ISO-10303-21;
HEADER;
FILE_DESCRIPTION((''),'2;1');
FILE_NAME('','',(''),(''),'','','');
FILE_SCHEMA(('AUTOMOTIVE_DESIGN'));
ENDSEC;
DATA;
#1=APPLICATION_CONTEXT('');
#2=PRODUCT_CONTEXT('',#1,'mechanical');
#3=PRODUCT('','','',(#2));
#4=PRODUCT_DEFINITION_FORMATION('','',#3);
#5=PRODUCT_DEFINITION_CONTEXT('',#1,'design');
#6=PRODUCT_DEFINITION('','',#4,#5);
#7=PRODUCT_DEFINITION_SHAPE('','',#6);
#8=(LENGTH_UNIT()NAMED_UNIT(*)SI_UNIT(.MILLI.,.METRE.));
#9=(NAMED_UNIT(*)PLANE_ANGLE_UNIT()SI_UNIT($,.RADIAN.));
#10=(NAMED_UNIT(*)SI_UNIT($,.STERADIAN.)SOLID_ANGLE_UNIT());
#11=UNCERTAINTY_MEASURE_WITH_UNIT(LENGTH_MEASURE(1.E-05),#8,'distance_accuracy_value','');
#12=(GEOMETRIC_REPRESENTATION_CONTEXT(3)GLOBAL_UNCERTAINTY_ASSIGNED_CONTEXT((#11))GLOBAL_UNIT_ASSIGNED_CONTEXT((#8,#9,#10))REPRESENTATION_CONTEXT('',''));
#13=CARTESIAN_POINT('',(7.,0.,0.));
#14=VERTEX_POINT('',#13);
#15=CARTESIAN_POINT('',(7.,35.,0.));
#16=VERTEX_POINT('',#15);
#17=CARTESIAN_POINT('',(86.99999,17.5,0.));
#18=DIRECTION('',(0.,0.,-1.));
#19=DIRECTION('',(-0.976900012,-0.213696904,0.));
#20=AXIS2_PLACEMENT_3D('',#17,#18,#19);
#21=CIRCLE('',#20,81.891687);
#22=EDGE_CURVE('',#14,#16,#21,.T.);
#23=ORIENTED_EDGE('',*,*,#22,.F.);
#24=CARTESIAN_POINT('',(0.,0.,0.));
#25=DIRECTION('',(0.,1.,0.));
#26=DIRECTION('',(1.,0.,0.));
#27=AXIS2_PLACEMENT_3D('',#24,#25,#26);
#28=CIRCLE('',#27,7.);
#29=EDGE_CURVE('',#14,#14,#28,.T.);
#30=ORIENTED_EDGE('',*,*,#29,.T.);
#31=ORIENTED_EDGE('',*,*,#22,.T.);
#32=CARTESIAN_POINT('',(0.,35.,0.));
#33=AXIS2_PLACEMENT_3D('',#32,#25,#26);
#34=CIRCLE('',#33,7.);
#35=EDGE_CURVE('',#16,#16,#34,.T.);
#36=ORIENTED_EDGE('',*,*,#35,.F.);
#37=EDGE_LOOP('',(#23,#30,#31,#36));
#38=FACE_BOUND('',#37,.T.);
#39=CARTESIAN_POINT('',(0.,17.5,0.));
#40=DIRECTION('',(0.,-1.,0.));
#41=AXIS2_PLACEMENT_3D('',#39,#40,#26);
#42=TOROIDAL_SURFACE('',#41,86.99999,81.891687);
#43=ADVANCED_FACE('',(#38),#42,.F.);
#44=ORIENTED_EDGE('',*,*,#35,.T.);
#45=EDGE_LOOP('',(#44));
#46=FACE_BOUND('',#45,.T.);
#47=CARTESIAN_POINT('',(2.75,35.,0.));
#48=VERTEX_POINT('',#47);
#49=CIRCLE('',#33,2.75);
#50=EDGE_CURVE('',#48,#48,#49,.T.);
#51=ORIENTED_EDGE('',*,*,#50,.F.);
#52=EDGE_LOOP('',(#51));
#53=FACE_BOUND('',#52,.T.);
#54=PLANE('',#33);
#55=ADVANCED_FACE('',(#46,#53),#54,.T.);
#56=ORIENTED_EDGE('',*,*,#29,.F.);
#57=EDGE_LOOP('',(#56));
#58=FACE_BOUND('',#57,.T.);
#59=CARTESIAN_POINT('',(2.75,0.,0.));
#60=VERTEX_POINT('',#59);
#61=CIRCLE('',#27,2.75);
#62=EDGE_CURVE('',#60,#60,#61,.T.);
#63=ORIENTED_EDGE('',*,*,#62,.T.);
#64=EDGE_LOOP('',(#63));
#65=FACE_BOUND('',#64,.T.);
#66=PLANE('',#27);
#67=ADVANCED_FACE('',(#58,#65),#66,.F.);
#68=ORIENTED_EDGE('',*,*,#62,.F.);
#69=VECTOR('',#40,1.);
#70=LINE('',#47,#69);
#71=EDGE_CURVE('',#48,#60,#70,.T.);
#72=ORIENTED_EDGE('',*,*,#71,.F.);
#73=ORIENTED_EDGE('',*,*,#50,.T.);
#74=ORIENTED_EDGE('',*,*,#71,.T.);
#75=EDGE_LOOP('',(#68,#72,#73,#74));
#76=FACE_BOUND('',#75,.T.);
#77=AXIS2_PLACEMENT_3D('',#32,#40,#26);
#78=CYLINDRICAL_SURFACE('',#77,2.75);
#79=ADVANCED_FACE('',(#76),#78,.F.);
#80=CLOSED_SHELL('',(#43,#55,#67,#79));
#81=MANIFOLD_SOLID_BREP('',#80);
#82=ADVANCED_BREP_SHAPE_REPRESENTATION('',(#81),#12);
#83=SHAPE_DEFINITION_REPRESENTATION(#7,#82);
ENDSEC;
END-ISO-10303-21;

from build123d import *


with BuildPart() as f1:
    # F0 (on Top) → F1 (revolve)
    with BuildSketch(Plane.XY):
        with BuildLine():
            Line((7, 35), (2.75, 35))
            Line((2.75, 35), (2.75, 0))
            Line((2.75, 0), (7, 0))
            ThreePointArc((7, 0), (5.108303, 17.5), (7, 35))
        make_face()
    revolve(axis=Axis((0, 17.5, 0), (0, 1, 0)))


solid = f1.part
